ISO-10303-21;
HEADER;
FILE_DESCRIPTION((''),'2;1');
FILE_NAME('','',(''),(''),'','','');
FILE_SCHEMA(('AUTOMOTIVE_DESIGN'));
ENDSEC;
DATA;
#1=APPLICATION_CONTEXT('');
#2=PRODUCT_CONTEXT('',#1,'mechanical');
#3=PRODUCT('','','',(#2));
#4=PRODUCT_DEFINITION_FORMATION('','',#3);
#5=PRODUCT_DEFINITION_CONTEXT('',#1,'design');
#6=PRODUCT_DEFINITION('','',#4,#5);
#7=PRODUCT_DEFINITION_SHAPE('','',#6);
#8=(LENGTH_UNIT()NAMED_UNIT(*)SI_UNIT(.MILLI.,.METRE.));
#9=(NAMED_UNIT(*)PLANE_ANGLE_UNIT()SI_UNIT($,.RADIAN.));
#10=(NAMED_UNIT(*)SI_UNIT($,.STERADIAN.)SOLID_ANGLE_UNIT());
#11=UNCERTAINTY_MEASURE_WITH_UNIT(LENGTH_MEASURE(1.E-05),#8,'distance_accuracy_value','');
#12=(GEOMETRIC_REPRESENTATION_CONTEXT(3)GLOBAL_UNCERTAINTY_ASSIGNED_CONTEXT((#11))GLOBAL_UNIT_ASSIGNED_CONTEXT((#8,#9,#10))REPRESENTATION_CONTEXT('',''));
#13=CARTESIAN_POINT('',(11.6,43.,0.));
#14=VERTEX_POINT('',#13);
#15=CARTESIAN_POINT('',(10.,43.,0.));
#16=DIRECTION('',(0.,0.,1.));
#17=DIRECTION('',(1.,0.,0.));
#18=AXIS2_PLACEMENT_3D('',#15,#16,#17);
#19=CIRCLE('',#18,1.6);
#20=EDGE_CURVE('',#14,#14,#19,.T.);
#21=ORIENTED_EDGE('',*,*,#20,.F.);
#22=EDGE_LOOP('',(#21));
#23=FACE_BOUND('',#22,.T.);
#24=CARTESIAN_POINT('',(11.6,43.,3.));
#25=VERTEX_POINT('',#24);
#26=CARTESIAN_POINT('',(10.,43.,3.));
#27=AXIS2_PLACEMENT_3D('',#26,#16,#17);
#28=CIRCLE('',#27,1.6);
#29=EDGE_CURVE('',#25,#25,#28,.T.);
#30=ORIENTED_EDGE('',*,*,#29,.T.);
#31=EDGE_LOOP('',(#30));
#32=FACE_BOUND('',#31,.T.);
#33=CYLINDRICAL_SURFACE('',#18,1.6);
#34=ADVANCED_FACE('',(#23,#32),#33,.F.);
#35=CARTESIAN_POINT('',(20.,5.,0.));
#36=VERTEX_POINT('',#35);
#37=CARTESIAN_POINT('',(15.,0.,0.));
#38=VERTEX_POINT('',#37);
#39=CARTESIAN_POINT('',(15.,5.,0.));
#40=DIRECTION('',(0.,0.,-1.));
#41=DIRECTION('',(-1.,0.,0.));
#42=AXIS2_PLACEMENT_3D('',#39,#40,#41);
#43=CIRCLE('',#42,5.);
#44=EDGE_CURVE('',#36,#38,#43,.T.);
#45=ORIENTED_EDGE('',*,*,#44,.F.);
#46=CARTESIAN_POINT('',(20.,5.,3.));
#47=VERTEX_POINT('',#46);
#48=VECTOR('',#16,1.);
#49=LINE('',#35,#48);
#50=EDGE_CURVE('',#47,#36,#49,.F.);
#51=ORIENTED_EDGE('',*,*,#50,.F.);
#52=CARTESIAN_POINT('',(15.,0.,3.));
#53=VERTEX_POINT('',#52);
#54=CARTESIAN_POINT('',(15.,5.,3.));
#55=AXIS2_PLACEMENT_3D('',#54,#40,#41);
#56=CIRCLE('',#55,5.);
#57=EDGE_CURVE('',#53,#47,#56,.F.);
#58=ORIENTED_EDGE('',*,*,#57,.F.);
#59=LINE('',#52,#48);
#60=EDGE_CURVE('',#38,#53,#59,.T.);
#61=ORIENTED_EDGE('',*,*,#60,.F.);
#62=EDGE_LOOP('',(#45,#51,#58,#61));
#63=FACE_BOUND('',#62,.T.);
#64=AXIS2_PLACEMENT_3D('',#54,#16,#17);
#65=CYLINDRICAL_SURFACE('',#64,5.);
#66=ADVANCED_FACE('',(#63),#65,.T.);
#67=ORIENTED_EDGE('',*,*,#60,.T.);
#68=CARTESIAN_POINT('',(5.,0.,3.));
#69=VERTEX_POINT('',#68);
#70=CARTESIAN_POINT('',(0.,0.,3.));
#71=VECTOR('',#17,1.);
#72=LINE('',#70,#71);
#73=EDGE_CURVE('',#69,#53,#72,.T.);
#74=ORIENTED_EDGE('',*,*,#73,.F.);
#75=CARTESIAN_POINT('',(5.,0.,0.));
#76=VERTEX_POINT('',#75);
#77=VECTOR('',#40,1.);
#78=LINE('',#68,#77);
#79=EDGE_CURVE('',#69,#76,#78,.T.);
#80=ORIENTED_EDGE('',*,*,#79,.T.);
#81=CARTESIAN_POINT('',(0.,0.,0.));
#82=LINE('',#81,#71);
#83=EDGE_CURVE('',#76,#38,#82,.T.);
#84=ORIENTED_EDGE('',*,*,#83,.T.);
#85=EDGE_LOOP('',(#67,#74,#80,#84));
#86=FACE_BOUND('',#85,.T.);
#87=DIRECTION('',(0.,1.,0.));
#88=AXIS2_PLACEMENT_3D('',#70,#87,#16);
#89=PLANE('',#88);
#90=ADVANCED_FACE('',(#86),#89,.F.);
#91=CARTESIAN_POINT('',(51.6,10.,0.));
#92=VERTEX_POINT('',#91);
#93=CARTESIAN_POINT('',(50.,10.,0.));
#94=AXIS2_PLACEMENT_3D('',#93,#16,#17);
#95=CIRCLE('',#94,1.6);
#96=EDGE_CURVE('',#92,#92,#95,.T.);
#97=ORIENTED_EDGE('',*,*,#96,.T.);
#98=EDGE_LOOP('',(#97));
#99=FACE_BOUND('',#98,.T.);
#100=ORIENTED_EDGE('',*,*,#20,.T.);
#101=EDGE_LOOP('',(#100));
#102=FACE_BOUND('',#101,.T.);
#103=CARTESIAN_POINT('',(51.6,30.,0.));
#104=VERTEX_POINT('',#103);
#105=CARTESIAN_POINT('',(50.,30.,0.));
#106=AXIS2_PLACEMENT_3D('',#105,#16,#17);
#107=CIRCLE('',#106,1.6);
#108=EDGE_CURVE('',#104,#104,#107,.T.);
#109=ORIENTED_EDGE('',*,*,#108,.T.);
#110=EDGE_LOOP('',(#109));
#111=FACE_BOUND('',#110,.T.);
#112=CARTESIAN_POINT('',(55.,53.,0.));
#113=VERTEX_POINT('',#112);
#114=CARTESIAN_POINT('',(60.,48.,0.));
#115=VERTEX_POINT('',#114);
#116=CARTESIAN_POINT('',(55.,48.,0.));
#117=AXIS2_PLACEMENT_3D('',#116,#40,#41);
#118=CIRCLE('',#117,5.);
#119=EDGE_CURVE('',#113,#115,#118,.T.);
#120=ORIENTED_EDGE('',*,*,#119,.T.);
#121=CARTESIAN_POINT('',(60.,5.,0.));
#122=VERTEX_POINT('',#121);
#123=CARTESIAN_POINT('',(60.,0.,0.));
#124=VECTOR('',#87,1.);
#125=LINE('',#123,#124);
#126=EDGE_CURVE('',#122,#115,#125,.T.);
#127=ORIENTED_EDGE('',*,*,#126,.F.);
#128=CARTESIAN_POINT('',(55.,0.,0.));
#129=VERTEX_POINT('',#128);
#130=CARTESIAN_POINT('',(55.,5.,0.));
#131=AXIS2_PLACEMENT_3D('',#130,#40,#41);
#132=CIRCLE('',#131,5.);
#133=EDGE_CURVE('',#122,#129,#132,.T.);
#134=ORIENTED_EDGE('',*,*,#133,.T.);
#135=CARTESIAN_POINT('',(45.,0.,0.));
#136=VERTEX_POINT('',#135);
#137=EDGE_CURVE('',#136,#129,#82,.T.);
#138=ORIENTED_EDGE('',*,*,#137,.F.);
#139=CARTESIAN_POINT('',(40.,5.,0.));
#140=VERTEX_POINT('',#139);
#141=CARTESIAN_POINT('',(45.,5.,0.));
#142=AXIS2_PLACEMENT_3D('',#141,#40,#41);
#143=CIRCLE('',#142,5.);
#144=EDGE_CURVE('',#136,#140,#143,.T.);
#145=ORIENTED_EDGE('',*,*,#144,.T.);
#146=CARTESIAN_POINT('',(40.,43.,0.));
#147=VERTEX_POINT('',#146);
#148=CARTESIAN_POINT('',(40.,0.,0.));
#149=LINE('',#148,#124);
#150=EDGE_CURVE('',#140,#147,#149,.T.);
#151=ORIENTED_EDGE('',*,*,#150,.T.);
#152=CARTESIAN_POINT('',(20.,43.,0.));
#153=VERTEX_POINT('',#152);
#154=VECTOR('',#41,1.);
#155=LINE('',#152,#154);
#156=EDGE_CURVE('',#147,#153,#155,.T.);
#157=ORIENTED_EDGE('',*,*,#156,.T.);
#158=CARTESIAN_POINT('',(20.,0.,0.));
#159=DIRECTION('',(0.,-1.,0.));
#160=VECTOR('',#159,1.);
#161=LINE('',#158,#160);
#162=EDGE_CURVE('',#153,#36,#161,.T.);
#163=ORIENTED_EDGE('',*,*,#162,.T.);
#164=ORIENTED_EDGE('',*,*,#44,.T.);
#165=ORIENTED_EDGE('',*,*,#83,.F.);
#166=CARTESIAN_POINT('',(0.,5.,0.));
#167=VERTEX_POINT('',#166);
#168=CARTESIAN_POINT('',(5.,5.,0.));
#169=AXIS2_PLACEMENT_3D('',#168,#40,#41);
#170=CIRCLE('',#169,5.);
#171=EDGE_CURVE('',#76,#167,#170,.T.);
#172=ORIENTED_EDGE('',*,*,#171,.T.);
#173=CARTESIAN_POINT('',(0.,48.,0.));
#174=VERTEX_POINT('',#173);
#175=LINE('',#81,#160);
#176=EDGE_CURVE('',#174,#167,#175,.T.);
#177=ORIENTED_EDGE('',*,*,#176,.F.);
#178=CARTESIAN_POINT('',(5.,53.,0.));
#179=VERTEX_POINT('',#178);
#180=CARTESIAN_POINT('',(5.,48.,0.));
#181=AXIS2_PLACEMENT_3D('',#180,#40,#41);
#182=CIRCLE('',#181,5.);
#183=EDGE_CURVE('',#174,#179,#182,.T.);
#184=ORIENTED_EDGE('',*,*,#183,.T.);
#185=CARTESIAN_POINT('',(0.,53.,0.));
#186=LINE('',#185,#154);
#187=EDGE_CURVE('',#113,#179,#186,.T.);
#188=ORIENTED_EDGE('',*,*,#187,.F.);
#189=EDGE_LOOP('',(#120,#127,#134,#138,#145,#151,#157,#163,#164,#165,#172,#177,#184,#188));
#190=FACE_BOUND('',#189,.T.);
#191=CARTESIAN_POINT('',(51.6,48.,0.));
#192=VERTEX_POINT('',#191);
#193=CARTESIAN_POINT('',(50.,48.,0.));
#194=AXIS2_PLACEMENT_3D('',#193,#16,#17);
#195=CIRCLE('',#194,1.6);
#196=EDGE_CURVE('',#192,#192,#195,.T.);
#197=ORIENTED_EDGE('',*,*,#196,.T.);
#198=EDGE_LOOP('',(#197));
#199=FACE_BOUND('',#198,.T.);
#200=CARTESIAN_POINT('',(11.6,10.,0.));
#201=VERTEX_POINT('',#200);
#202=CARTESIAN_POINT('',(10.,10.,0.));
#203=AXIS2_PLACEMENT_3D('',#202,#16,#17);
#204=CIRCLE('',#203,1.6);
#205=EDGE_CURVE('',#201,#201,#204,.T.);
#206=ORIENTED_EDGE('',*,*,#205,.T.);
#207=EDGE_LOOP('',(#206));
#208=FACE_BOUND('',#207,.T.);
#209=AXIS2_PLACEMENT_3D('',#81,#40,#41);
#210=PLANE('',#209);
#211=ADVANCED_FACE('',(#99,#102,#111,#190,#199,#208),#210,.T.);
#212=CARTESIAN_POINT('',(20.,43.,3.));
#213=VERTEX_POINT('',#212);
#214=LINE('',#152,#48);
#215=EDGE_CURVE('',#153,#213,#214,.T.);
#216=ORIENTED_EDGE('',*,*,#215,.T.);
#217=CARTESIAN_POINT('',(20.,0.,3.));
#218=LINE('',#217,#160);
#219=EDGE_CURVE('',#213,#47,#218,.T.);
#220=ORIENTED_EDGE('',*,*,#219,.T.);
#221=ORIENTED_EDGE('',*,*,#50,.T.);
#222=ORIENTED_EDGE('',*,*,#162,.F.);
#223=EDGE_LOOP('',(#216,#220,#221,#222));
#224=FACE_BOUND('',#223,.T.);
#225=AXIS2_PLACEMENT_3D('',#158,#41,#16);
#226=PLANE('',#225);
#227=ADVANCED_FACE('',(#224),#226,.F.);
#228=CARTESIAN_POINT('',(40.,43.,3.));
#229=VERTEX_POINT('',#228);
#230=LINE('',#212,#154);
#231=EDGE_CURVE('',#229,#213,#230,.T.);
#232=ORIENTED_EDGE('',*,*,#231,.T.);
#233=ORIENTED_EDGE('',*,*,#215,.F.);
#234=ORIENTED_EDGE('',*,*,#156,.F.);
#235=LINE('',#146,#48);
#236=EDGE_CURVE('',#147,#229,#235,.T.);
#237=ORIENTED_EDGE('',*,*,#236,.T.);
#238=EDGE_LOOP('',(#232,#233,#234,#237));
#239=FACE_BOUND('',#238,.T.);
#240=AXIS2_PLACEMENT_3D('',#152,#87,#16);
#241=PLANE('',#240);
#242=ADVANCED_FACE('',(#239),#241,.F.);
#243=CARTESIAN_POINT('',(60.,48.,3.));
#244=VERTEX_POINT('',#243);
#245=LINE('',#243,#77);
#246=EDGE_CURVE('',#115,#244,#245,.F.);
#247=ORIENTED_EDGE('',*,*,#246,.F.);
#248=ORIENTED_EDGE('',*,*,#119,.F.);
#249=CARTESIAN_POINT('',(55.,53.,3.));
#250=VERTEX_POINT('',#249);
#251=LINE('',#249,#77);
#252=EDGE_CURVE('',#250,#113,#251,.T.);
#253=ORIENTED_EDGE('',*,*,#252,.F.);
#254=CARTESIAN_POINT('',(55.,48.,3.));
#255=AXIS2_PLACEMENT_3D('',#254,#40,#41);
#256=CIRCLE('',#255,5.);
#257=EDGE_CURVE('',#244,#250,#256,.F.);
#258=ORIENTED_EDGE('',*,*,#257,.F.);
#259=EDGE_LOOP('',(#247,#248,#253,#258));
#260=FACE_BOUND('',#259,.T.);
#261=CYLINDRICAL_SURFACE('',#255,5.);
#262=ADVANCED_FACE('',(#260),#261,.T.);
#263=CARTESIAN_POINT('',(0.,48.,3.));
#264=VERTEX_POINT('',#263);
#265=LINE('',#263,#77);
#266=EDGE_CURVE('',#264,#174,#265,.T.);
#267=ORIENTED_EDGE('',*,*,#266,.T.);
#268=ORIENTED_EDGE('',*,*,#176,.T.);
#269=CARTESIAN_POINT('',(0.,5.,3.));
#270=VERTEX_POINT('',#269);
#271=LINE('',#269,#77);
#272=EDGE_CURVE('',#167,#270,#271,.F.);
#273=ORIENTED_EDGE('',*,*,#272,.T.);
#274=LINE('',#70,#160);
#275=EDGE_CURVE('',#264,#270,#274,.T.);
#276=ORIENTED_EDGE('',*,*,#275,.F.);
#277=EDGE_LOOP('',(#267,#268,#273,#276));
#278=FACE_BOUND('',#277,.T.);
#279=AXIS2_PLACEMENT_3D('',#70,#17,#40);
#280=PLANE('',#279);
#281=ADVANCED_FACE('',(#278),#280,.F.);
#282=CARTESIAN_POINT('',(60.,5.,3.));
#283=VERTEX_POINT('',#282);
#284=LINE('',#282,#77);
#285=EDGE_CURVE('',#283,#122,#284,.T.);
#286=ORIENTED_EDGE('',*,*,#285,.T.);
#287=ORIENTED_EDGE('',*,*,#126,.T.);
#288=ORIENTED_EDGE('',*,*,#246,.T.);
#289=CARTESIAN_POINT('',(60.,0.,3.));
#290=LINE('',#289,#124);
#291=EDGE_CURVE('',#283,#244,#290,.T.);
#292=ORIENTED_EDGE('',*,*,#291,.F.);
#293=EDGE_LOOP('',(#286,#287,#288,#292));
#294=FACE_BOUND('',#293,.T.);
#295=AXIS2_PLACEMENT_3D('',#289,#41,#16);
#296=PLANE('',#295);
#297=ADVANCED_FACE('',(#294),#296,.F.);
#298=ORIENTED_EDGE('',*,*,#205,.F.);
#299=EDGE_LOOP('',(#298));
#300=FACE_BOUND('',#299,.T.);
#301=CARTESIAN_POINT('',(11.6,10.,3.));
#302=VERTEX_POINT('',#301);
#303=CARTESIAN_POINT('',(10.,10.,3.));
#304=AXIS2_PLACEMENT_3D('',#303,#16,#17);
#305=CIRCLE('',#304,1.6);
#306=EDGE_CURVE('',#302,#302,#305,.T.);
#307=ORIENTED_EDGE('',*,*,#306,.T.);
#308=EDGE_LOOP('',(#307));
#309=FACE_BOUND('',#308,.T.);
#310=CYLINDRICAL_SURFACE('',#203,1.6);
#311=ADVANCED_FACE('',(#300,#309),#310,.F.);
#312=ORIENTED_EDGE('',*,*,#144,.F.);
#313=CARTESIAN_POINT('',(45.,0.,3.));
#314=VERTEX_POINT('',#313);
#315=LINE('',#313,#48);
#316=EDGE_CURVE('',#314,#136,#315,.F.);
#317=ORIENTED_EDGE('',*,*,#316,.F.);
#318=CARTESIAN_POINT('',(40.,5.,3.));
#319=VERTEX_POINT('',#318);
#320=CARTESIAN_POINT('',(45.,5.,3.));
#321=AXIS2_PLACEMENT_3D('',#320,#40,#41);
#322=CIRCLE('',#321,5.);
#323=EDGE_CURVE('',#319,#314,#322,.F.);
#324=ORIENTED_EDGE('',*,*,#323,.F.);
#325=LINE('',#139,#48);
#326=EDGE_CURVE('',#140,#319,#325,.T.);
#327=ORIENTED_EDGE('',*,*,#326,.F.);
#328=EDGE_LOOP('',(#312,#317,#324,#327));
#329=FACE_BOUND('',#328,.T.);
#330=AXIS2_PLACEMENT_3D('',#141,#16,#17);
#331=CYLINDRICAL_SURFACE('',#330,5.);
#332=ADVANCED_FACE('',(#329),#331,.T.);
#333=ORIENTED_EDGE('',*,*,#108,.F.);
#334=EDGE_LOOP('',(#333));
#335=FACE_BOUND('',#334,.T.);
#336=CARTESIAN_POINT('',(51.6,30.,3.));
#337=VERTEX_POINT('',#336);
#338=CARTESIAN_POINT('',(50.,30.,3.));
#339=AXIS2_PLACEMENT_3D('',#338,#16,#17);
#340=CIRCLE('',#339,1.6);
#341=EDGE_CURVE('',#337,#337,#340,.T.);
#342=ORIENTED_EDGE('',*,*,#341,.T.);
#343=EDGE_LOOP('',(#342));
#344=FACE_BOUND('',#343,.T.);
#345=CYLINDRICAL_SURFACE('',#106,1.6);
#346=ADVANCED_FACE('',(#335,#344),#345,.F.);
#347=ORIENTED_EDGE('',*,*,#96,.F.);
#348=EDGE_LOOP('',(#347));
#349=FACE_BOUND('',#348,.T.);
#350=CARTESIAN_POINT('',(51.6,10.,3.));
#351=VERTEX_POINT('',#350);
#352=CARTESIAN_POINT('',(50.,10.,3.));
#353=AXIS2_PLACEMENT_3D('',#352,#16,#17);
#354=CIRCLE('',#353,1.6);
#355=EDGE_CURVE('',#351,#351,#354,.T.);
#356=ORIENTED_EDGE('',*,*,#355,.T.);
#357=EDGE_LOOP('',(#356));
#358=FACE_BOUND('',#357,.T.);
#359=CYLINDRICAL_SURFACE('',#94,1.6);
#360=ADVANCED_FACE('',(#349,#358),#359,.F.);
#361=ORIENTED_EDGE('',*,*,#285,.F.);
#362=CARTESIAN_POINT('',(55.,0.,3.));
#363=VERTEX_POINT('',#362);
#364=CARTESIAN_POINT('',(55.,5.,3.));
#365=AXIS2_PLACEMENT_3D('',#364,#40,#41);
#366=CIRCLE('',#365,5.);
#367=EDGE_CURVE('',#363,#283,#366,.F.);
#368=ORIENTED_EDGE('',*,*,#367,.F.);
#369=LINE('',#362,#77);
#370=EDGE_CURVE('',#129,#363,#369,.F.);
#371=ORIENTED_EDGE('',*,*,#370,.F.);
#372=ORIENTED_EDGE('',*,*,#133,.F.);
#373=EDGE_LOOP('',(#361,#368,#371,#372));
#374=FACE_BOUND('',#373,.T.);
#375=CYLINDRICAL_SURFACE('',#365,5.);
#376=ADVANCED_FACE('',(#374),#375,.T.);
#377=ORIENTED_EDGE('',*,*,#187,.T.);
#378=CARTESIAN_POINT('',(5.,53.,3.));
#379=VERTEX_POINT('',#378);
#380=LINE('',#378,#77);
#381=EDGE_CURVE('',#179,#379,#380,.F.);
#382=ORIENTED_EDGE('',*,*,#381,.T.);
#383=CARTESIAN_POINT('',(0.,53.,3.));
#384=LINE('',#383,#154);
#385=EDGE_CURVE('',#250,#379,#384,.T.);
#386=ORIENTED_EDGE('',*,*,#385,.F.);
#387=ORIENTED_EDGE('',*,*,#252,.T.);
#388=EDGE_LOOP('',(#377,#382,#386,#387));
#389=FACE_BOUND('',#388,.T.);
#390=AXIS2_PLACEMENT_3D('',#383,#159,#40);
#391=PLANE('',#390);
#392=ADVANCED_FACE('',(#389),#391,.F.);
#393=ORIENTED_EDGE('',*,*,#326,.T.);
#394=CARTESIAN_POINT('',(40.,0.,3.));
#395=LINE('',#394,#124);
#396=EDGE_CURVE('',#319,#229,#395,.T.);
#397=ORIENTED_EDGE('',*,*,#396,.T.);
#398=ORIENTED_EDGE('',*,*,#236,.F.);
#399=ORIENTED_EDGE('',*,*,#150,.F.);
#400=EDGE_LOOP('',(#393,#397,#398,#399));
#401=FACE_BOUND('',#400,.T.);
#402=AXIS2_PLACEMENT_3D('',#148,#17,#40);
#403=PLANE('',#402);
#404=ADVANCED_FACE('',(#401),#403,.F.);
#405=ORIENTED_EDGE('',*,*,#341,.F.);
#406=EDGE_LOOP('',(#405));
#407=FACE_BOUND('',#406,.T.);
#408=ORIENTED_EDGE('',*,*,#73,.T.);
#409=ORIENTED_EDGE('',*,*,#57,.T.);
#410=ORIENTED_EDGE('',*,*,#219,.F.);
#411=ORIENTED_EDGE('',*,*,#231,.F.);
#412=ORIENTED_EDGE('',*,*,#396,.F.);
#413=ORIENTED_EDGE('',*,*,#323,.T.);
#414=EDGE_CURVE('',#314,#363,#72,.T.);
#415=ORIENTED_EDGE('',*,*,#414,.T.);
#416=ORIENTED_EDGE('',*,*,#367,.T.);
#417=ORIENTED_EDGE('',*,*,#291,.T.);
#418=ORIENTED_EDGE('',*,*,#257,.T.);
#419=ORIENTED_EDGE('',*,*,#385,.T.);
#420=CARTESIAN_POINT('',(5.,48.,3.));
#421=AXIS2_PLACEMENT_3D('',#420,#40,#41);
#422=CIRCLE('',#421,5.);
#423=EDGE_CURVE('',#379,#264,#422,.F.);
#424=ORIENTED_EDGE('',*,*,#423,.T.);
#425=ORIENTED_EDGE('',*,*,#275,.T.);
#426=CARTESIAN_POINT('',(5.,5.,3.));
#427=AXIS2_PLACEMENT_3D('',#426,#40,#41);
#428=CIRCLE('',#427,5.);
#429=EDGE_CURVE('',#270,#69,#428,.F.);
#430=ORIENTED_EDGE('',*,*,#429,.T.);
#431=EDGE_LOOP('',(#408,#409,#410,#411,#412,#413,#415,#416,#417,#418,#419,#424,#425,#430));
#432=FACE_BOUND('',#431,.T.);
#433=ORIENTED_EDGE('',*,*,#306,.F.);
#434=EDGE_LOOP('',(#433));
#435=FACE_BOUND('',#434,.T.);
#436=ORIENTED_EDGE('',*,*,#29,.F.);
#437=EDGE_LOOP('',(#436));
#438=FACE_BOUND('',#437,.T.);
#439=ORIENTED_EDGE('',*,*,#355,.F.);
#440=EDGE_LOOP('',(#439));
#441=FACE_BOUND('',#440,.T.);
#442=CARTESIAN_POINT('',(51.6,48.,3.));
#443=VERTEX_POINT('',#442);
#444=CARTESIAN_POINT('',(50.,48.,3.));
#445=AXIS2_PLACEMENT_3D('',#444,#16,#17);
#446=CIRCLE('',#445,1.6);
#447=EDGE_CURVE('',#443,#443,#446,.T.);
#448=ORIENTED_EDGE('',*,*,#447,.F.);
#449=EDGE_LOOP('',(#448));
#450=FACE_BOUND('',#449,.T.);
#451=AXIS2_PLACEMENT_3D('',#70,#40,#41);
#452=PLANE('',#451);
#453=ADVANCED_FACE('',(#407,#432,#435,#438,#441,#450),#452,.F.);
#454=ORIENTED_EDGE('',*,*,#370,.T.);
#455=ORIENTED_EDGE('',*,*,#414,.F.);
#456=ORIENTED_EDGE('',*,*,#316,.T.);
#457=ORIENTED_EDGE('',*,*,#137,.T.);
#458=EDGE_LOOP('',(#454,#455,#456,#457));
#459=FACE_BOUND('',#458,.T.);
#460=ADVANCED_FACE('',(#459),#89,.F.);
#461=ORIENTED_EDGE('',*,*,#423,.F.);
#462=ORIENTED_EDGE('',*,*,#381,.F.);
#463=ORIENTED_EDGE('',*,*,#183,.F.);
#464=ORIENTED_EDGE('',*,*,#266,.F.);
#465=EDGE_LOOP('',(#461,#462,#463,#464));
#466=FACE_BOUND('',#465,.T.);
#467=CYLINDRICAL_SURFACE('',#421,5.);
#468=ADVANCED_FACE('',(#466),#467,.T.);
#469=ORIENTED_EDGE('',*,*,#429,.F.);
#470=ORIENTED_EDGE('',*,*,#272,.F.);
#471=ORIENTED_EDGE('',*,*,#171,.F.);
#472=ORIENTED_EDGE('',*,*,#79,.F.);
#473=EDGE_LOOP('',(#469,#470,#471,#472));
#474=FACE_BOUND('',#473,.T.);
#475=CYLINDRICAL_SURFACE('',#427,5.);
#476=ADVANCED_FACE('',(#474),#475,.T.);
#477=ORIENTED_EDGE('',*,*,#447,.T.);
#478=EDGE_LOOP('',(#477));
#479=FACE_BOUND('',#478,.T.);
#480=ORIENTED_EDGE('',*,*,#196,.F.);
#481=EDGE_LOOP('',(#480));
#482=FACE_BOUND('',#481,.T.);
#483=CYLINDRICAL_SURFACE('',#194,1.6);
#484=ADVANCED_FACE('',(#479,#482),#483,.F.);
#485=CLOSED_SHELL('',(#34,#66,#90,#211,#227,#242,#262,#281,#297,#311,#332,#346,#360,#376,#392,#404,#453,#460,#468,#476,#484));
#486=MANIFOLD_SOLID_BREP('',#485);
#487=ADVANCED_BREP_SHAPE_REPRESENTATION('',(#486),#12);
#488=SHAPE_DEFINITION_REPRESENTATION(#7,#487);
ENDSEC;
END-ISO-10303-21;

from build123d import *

# Parameters (mm, degrees)
SKETCH_1_W          = 60
SKETCH_1_H          = 53
EXTRUDE_1_DEPTH     = 3
SKETCH_2_W          = 20
SKETCH_2_H          = 43
CUT_EXTRUDE_1_DEPTH = 81.112421009
SKETCH_3_R          = 1.6
CUT_EXTRUDE_2_DEPTH = 81.112421009
SKETCH_4_R          = 1.6
CUT_EXTRUDE_3_DEPTH = 81.112421009
FILLET_1_R          = 5
SKETCH_5_R          = 1.6
CUT_EXTRUDE_4_DEPTH = 81.112421009


with BuildPart() as part:
    # 草图1 → 凸台-拉伸1 (new body)
    with BuildSketch(Plane.XY):
        with Locations((30, 26.5)):
            Rectangle(SKETCH_1_W, SKETCH_1_H)
    extrude(amount=EXTRUDE_1_DEPTH)

    # 草图2 → 切除-拉伸1 (cut, through all)
    with BuildSketch(Plane.XY.offset(3)):
        with Locations((30, 21.5)):
            Rectangle(SKETCH_2_W, SKETCH_2_H)
    extrude(amount=-CUT_EXTRUDE_1_DEPTH, mode=Mode.SUBTRACT)

    # 草图3 → 切除-拉伸2 (cut, through all)
    with BuildSketch(Plane.XY.offset(3)):
        with Locations((50, 10)):
            Circle(SKETCH_3_R)
        with Locations((50, 30)):
            Circle(SKETCH_3_R)
        with Locations((50, 48)):
            Circle(SKETCH_3_R)
    extrude(amount=-CUT_EXTRUDE_2_DEPTH, mode=Mode.SUBTRACT)

    # 草图4 → 切除-拉伸3 (cut, through all)
    with BuildSketch(Plane.XY.offset(3)):
        with Locations((10, 10)):
            Circle(SKETCH_4_R)
    extrude(amount=-CUT_EXTRUDE_3_DEPTH, mode=Mode.SUBTRACT)

    # 圆角1
    fillet_1_edges = [part.edges().sort_by_distance(p)[0] for p in [
        (20, 0, 1.5),
        (40, 0, 1.5),
        (0, 53, 1.5),
        (60, 53, 1.5),
        (60, 0, 1.5),
        (0, 0, 1.5),
    ]]
    fillet(fillet_1_edges, radius=FILLET_1_R)

    # 草图5 → 切除-拉伸4 (cut, through all)
    with BuildSketch(Plane.XY.offset(3)):
        with Locations((10, 43)):
            Circle(SKETCH_5_R)
    extrude(amount=-CUT_EXTRUDE_4_DEPTH, mode=Mode.SUBTRACT)


solid = part.part
